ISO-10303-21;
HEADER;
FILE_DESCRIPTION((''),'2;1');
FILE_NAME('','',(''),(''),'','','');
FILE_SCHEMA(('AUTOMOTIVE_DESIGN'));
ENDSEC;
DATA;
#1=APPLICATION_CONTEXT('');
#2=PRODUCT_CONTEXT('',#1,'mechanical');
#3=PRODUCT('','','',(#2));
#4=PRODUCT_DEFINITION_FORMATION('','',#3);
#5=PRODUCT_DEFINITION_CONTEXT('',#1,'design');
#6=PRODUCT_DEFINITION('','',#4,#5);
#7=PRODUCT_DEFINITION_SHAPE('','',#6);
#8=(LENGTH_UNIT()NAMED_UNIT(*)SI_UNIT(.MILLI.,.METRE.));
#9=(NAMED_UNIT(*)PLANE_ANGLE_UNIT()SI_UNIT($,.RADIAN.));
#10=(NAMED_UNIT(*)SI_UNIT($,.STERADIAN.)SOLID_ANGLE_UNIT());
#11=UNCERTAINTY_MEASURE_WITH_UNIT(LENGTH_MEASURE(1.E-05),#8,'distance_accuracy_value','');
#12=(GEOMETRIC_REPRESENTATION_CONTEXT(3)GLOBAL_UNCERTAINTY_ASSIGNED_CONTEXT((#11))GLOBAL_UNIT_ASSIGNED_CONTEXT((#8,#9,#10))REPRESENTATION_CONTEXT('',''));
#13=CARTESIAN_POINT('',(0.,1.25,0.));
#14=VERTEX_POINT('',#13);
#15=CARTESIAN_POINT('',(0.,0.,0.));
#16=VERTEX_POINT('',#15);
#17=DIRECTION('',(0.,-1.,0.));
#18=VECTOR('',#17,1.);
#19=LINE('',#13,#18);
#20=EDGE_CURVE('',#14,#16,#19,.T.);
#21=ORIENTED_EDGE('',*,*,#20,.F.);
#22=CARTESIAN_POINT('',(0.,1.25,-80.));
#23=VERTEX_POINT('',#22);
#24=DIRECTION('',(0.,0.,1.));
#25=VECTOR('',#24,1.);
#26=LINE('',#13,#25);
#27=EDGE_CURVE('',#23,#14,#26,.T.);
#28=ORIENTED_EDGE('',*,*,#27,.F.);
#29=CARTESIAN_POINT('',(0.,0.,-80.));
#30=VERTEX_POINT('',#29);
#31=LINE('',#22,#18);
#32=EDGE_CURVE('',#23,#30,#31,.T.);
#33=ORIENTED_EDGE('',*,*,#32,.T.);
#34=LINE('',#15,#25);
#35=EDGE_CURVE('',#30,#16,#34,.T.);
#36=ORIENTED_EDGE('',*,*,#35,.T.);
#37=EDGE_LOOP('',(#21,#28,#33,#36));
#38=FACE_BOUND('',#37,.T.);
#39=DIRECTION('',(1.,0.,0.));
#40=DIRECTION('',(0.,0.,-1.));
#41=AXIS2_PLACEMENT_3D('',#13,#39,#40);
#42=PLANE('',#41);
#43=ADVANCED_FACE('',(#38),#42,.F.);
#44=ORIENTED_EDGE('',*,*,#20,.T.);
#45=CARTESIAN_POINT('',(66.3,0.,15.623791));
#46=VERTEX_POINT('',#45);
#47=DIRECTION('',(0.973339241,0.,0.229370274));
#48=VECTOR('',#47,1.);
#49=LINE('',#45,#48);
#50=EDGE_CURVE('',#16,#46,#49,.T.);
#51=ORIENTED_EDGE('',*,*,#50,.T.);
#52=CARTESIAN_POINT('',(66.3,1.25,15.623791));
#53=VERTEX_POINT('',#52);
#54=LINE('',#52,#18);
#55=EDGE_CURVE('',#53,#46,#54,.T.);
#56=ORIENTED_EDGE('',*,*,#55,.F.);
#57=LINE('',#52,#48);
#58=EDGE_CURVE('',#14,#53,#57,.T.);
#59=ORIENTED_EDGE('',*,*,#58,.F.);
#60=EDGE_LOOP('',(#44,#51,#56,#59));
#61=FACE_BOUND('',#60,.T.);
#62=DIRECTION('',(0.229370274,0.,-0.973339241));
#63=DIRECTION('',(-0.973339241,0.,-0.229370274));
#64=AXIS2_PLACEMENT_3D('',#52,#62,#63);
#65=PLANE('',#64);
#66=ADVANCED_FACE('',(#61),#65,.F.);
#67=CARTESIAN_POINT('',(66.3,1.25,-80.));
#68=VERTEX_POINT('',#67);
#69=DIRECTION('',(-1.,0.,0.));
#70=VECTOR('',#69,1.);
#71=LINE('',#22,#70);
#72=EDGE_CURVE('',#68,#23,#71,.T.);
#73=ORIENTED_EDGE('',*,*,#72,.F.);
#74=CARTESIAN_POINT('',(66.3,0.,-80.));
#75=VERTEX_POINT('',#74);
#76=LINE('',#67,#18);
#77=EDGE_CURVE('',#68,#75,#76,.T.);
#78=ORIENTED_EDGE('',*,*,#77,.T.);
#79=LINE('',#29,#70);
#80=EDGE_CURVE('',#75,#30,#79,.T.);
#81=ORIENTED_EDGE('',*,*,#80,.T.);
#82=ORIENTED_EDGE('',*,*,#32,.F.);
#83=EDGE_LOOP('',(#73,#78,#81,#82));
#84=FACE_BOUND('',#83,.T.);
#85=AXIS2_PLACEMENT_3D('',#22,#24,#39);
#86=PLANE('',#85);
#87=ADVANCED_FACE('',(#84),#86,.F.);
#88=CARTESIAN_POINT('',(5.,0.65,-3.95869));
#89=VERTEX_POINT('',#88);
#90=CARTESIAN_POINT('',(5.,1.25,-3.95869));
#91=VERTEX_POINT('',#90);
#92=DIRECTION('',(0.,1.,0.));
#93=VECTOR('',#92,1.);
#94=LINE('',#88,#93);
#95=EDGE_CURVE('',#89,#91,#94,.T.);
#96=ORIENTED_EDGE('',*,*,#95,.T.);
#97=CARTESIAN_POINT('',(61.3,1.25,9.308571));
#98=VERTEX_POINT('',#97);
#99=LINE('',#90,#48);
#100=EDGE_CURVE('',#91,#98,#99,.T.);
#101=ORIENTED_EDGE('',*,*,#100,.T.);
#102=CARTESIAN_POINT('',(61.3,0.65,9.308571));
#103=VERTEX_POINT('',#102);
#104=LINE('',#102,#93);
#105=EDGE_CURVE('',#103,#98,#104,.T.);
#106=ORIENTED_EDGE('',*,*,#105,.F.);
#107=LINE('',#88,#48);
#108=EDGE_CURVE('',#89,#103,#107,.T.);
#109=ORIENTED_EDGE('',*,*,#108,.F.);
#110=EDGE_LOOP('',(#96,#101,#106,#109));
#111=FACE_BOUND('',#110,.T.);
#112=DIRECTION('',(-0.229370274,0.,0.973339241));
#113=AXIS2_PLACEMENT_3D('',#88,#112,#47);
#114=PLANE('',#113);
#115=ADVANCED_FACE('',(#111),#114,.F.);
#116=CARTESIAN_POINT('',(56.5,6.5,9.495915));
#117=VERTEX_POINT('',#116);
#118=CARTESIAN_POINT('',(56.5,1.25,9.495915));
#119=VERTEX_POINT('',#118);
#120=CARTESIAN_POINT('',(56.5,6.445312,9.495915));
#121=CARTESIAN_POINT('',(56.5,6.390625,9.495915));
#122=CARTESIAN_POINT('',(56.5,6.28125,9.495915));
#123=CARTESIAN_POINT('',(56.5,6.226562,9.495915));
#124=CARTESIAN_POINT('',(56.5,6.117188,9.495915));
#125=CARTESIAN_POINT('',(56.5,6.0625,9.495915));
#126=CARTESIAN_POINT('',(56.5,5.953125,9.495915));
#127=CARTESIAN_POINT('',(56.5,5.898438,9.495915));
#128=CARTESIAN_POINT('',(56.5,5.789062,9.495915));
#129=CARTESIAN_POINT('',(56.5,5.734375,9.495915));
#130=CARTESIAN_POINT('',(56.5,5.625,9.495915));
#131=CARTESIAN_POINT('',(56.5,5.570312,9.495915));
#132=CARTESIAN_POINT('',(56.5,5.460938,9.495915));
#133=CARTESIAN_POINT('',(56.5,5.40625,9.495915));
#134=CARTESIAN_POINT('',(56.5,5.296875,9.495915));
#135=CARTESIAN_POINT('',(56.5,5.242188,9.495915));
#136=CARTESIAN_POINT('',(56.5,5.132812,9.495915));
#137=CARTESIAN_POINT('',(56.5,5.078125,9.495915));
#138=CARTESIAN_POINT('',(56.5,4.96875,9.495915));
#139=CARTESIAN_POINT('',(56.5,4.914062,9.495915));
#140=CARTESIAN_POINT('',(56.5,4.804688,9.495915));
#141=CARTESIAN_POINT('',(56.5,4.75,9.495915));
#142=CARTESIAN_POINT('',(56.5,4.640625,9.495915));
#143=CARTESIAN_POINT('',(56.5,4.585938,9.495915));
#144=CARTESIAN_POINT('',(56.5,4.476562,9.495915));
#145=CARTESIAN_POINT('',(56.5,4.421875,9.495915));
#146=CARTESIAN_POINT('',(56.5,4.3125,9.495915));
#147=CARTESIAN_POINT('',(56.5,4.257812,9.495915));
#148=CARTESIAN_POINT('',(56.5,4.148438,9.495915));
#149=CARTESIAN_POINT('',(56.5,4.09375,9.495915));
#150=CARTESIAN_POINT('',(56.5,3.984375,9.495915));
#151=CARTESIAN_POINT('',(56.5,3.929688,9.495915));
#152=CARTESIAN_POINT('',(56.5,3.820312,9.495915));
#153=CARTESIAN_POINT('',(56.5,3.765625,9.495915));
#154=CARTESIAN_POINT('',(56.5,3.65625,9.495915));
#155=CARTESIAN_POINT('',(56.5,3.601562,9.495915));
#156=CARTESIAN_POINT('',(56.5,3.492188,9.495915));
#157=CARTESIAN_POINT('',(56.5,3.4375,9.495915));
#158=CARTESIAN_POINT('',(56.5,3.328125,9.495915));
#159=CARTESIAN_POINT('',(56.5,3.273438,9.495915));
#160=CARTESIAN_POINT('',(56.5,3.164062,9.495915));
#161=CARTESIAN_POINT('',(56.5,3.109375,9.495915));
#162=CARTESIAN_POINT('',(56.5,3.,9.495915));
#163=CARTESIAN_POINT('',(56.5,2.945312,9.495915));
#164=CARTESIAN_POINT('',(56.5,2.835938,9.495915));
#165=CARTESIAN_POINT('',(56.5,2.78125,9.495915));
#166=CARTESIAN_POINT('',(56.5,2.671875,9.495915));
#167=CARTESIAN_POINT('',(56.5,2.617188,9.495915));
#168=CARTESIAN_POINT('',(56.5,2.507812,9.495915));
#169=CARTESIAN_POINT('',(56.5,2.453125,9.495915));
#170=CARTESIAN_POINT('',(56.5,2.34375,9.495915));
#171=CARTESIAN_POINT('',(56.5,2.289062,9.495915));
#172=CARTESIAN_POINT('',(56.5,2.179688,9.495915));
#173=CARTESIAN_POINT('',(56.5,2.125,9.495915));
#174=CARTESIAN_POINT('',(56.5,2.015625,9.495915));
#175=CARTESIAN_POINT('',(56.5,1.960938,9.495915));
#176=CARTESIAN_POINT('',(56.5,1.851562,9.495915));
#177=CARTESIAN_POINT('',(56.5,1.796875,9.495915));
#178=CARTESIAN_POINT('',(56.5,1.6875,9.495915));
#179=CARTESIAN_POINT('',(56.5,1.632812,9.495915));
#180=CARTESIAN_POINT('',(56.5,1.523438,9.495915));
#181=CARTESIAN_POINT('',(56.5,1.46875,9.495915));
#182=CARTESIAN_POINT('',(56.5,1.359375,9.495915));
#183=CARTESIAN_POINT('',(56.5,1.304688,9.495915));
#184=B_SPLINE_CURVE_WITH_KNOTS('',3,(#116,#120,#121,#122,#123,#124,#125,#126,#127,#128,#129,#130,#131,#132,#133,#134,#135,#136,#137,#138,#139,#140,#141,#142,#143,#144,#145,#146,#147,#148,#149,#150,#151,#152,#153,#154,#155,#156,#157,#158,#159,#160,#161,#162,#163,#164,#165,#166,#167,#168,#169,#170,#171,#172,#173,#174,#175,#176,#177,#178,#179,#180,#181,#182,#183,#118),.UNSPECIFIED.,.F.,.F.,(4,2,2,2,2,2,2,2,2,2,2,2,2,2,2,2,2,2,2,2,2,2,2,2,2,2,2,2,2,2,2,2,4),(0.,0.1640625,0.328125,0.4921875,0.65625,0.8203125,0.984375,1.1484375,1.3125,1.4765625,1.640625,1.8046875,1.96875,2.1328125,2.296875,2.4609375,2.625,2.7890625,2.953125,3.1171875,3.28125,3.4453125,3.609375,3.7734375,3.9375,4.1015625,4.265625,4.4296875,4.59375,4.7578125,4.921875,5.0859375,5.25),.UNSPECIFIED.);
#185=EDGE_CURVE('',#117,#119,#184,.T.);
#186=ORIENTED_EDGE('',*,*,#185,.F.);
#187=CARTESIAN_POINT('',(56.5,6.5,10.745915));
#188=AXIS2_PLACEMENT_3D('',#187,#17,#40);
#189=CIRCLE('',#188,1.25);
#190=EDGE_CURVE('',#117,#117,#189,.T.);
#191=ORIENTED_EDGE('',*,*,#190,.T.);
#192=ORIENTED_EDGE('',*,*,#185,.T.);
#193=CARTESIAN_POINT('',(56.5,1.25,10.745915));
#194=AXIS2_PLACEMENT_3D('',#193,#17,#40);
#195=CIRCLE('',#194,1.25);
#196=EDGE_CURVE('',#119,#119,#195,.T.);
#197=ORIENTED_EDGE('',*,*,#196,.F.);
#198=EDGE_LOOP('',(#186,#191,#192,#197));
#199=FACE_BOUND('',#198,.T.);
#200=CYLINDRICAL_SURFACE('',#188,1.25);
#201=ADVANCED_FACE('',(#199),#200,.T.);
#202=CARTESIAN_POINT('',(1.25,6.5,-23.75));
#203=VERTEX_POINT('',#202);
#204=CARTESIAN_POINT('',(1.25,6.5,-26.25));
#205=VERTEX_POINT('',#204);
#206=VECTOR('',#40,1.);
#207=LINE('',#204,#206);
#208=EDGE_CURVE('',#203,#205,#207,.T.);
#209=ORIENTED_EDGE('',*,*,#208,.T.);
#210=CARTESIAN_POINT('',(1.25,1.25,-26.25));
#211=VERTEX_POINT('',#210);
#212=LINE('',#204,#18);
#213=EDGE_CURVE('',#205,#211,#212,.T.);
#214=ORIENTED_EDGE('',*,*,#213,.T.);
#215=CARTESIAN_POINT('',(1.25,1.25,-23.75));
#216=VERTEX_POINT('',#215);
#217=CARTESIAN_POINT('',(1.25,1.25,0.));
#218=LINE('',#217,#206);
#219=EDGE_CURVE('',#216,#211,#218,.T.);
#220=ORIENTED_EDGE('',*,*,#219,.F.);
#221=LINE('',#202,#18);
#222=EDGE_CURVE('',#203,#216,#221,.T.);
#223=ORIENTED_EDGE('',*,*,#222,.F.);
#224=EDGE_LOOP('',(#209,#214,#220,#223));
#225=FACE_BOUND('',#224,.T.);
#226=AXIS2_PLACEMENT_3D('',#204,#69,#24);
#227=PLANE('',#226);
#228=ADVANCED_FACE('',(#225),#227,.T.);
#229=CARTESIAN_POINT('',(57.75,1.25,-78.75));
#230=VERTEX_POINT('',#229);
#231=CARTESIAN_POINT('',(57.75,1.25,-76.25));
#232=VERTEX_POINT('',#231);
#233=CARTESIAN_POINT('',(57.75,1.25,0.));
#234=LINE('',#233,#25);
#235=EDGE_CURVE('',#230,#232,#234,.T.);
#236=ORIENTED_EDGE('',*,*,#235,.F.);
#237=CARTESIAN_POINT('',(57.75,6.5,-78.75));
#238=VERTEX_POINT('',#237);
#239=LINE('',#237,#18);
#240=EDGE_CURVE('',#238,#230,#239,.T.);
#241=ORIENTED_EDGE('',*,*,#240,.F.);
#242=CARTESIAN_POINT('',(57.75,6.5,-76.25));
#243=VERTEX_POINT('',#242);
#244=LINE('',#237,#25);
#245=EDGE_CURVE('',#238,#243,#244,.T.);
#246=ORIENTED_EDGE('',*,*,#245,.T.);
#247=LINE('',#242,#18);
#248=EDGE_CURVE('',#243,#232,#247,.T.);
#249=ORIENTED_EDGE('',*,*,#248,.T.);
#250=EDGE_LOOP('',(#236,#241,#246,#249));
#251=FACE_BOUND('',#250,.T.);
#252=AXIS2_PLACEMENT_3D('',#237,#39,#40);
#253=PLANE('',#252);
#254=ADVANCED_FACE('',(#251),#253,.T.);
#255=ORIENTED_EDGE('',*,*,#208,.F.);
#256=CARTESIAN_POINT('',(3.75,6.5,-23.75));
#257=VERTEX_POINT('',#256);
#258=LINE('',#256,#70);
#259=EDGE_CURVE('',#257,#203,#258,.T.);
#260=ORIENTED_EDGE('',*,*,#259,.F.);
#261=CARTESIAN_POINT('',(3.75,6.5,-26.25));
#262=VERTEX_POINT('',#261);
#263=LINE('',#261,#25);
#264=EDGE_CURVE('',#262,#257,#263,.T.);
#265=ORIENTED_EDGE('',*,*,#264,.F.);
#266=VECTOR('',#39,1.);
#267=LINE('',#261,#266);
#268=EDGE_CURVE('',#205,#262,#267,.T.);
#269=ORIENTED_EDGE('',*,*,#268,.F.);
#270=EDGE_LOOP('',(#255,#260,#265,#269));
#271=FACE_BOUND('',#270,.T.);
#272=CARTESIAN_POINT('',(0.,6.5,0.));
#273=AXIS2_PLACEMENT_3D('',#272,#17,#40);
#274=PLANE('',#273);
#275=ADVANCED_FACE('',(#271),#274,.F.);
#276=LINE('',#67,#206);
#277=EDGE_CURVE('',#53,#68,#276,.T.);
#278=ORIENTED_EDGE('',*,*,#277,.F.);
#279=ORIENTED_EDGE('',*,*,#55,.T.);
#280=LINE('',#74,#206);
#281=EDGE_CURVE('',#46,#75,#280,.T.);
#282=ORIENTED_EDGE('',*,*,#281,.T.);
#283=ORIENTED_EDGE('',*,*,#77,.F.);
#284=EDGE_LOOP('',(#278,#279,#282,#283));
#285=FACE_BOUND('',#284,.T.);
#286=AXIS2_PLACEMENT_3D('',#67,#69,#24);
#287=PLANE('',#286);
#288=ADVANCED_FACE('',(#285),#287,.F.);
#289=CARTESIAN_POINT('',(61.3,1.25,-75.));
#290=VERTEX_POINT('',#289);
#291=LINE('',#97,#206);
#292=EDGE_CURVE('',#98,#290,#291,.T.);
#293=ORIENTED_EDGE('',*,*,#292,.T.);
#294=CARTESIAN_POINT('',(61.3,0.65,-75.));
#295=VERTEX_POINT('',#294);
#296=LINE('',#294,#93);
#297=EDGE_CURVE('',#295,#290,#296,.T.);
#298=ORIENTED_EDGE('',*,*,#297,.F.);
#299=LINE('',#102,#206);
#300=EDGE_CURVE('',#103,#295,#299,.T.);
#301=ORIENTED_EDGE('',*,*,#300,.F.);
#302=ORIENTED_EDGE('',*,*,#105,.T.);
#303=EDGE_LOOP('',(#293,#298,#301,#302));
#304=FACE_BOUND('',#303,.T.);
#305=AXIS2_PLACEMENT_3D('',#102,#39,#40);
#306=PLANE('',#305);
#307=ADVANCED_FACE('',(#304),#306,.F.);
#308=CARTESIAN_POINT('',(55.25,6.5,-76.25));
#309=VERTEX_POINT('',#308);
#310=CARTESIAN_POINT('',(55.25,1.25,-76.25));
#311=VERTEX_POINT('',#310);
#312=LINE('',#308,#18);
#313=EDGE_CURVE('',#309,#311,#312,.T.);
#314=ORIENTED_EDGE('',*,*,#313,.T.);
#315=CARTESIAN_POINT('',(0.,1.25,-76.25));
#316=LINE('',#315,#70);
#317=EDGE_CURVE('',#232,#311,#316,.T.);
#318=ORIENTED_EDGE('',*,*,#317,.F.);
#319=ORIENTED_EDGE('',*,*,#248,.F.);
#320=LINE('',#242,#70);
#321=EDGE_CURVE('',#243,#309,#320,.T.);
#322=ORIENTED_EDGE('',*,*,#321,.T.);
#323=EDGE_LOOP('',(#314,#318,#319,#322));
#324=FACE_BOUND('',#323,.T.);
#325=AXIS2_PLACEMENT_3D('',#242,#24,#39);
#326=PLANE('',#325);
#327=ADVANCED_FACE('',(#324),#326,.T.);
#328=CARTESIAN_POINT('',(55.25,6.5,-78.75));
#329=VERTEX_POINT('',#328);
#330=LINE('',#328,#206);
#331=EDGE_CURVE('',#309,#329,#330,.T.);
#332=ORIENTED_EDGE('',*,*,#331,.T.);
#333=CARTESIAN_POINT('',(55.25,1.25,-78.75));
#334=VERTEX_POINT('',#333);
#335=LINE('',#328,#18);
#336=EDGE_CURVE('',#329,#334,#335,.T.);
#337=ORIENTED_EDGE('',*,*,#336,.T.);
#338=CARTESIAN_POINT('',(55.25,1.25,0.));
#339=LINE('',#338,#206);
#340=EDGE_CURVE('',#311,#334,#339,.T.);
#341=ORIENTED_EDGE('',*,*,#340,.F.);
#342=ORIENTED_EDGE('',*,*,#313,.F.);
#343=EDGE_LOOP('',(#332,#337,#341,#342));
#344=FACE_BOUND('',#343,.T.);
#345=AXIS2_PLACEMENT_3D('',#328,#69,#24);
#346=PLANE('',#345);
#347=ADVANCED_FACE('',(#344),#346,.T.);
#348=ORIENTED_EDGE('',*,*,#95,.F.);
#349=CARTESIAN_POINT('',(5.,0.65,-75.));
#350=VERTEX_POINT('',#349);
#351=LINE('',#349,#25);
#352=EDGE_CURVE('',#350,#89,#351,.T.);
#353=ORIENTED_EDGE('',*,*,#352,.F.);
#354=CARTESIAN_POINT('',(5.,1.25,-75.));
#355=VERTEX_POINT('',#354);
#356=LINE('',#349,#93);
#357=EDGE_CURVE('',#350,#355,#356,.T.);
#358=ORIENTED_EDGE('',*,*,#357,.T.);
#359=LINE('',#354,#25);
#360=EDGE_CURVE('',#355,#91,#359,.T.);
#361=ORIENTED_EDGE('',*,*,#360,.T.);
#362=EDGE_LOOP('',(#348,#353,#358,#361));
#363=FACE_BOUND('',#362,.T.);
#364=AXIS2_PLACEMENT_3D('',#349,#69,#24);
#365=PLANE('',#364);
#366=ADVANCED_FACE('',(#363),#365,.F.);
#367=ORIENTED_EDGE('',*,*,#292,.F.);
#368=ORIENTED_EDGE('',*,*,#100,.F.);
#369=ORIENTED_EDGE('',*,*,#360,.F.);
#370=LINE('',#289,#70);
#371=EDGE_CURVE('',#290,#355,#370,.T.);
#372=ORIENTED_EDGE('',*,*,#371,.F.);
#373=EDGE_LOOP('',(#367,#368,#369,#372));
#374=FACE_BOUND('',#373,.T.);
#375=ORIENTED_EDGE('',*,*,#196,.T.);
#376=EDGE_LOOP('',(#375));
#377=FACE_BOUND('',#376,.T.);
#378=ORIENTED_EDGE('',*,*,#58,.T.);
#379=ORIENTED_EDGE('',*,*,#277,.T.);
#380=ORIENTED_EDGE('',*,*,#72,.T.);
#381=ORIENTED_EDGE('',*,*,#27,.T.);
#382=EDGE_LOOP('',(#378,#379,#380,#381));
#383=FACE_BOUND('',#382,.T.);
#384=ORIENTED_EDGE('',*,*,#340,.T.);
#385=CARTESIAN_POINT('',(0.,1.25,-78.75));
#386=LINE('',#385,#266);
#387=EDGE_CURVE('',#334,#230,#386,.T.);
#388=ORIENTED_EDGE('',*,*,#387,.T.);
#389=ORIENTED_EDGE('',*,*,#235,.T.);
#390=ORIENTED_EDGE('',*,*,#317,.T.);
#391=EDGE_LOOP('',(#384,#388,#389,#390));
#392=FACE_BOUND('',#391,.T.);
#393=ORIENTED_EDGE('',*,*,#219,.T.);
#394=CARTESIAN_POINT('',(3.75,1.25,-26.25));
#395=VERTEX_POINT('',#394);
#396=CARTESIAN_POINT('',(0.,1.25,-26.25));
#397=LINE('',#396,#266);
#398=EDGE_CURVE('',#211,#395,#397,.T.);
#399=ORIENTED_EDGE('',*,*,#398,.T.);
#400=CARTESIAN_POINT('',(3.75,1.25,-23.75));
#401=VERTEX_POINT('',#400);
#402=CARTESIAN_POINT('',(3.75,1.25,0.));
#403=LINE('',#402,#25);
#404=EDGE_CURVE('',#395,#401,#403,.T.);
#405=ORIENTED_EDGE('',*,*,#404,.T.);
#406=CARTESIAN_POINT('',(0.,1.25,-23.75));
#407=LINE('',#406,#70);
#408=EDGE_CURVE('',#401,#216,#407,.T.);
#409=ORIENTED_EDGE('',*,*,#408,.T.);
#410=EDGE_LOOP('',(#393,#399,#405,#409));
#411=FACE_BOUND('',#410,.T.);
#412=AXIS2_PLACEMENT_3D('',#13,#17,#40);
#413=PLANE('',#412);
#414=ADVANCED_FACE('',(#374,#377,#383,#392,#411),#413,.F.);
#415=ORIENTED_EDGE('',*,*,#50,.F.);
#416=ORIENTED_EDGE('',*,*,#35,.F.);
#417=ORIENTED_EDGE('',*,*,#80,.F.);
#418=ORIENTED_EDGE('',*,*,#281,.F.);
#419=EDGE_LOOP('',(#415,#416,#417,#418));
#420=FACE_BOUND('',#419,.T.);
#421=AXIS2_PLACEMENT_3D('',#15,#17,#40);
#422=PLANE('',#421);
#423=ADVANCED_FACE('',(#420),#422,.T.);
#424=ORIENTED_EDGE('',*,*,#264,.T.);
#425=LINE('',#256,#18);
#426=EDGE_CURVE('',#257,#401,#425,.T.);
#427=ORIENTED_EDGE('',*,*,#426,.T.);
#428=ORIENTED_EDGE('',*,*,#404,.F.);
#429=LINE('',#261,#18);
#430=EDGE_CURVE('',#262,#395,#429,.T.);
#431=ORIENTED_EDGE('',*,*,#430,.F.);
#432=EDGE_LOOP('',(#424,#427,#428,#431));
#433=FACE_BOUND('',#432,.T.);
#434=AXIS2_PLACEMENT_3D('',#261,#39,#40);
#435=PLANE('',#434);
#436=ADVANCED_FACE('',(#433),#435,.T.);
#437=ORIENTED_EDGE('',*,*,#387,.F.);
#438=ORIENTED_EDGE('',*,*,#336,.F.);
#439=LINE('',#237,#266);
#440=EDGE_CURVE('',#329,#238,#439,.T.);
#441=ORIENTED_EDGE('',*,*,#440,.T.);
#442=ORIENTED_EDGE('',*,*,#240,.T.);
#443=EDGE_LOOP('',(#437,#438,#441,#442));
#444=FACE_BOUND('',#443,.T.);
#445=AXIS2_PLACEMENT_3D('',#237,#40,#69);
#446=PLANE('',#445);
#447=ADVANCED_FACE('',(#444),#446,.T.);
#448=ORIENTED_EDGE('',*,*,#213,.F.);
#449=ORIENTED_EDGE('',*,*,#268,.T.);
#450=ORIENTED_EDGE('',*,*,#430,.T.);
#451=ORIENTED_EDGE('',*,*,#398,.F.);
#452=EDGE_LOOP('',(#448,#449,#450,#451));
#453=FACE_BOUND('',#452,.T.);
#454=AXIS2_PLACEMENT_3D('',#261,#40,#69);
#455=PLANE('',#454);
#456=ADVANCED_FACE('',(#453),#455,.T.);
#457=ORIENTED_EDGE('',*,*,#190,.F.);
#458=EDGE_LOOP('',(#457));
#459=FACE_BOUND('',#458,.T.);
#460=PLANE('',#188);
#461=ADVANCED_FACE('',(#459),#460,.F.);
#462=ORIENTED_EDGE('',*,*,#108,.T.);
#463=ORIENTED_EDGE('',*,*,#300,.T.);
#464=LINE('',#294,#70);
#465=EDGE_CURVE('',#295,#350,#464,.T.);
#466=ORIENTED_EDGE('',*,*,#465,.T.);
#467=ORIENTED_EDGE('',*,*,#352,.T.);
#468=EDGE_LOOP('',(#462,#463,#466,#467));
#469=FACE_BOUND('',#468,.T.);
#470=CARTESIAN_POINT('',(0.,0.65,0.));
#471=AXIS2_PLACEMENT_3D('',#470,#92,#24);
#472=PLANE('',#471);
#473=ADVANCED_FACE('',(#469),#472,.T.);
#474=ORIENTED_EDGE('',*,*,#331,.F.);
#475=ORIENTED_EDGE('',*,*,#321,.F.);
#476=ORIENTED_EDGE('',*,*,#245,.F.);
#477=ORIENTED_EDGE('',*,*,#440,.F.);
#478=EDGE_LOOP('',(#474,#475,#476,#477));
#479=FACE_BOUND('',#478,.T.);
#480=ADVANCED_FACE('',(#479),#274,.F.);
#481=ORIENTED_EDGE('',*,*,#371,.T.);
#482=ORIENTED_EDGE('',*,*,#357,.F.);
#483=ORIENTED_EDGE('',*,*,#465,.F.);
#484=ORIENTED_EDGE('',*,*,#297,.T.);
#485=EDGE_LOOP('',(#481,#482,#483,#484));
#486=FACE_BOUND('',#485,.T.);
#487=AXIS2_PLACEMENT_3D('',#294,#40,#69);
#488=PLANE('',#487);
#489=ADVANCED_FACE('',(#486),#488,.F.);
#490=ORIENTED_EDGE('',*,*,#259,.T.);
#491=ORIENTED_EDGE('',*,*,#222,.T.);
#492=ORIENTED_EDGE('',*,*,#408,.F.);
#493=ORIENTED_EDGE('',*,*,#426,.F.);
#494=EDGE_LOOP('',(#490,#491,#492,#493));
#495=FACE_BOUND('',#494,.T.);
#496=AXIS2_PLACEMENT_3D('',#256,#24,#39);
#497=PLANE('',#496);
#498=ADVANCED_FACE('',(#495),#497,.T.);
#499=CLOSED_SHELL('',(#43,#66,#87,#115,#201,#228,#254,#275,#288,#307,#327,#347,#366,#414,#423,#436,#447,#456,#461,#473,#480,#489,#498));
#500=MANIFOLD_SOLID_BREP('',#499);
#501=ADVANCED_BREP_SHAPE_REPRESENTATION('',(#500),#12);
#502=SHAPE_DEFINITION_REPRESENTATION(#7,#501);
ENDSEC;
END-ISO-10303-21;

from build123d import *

# Parameters (mm, degrees)
BOSS_EXTRUDE1_DEPTH = 1.25
SKETCH2_R           = 1.25
SKETCH2_W           = 2.5
SKETCH2_H           = 2.5
BOSS_EXTRUDE2_DEPTH = 6.5
CUT_EXTRUDE1_DEPTH  = 0.6


with BuildPart() as part:
    # Sketch1 → Boss-Extrude1 (new body)
    with BuildSketch(Plane(origin=(0, 0, 0), x_dir=(1, 0, 0), z_dir=(0, 1, 0))):
        Polygon((0, 0), (0, 80), (66.3, 80), (66.3, -15.623791318), align=None)
    extrude(amount=BOSS_EXTRUDE1_DEPTH)

    # Sketch2 → Boss-Extrude2 (add)
    with BuildSketch(Plane.XZ):
        with Locations(Location((56.5, 10.745914737, 0), (0, 0, 270))):
            Circle(SKETCH2_R)
        with Locations((56.5, -77.5)):
            Rectangle(SKETCH2_W, SKETCH2_H)
        with Locations((2.5, -25)):
            Rectangle(SKETCH2_W, SKETCH2_H)
    extrude(amount=-BOSS_EXTRUDE2_DEPTH)

    # Sketch4 → Cut-Extrude1 (cut)
    with BuildSketch(Plane(origin=(0, 1.25, 0), x_dir=(1, 0, 0), z_dir=(0, 1, 0))):
        Polygon((5, 75), (5, 3.958690319), (61.3, -9.308571388), (61.3, 75), align=None)
    extrude(amount=-CUT_EXTRUDE1_DEPTH, mode=Mode.SUBTRACT)


solid = part.part
